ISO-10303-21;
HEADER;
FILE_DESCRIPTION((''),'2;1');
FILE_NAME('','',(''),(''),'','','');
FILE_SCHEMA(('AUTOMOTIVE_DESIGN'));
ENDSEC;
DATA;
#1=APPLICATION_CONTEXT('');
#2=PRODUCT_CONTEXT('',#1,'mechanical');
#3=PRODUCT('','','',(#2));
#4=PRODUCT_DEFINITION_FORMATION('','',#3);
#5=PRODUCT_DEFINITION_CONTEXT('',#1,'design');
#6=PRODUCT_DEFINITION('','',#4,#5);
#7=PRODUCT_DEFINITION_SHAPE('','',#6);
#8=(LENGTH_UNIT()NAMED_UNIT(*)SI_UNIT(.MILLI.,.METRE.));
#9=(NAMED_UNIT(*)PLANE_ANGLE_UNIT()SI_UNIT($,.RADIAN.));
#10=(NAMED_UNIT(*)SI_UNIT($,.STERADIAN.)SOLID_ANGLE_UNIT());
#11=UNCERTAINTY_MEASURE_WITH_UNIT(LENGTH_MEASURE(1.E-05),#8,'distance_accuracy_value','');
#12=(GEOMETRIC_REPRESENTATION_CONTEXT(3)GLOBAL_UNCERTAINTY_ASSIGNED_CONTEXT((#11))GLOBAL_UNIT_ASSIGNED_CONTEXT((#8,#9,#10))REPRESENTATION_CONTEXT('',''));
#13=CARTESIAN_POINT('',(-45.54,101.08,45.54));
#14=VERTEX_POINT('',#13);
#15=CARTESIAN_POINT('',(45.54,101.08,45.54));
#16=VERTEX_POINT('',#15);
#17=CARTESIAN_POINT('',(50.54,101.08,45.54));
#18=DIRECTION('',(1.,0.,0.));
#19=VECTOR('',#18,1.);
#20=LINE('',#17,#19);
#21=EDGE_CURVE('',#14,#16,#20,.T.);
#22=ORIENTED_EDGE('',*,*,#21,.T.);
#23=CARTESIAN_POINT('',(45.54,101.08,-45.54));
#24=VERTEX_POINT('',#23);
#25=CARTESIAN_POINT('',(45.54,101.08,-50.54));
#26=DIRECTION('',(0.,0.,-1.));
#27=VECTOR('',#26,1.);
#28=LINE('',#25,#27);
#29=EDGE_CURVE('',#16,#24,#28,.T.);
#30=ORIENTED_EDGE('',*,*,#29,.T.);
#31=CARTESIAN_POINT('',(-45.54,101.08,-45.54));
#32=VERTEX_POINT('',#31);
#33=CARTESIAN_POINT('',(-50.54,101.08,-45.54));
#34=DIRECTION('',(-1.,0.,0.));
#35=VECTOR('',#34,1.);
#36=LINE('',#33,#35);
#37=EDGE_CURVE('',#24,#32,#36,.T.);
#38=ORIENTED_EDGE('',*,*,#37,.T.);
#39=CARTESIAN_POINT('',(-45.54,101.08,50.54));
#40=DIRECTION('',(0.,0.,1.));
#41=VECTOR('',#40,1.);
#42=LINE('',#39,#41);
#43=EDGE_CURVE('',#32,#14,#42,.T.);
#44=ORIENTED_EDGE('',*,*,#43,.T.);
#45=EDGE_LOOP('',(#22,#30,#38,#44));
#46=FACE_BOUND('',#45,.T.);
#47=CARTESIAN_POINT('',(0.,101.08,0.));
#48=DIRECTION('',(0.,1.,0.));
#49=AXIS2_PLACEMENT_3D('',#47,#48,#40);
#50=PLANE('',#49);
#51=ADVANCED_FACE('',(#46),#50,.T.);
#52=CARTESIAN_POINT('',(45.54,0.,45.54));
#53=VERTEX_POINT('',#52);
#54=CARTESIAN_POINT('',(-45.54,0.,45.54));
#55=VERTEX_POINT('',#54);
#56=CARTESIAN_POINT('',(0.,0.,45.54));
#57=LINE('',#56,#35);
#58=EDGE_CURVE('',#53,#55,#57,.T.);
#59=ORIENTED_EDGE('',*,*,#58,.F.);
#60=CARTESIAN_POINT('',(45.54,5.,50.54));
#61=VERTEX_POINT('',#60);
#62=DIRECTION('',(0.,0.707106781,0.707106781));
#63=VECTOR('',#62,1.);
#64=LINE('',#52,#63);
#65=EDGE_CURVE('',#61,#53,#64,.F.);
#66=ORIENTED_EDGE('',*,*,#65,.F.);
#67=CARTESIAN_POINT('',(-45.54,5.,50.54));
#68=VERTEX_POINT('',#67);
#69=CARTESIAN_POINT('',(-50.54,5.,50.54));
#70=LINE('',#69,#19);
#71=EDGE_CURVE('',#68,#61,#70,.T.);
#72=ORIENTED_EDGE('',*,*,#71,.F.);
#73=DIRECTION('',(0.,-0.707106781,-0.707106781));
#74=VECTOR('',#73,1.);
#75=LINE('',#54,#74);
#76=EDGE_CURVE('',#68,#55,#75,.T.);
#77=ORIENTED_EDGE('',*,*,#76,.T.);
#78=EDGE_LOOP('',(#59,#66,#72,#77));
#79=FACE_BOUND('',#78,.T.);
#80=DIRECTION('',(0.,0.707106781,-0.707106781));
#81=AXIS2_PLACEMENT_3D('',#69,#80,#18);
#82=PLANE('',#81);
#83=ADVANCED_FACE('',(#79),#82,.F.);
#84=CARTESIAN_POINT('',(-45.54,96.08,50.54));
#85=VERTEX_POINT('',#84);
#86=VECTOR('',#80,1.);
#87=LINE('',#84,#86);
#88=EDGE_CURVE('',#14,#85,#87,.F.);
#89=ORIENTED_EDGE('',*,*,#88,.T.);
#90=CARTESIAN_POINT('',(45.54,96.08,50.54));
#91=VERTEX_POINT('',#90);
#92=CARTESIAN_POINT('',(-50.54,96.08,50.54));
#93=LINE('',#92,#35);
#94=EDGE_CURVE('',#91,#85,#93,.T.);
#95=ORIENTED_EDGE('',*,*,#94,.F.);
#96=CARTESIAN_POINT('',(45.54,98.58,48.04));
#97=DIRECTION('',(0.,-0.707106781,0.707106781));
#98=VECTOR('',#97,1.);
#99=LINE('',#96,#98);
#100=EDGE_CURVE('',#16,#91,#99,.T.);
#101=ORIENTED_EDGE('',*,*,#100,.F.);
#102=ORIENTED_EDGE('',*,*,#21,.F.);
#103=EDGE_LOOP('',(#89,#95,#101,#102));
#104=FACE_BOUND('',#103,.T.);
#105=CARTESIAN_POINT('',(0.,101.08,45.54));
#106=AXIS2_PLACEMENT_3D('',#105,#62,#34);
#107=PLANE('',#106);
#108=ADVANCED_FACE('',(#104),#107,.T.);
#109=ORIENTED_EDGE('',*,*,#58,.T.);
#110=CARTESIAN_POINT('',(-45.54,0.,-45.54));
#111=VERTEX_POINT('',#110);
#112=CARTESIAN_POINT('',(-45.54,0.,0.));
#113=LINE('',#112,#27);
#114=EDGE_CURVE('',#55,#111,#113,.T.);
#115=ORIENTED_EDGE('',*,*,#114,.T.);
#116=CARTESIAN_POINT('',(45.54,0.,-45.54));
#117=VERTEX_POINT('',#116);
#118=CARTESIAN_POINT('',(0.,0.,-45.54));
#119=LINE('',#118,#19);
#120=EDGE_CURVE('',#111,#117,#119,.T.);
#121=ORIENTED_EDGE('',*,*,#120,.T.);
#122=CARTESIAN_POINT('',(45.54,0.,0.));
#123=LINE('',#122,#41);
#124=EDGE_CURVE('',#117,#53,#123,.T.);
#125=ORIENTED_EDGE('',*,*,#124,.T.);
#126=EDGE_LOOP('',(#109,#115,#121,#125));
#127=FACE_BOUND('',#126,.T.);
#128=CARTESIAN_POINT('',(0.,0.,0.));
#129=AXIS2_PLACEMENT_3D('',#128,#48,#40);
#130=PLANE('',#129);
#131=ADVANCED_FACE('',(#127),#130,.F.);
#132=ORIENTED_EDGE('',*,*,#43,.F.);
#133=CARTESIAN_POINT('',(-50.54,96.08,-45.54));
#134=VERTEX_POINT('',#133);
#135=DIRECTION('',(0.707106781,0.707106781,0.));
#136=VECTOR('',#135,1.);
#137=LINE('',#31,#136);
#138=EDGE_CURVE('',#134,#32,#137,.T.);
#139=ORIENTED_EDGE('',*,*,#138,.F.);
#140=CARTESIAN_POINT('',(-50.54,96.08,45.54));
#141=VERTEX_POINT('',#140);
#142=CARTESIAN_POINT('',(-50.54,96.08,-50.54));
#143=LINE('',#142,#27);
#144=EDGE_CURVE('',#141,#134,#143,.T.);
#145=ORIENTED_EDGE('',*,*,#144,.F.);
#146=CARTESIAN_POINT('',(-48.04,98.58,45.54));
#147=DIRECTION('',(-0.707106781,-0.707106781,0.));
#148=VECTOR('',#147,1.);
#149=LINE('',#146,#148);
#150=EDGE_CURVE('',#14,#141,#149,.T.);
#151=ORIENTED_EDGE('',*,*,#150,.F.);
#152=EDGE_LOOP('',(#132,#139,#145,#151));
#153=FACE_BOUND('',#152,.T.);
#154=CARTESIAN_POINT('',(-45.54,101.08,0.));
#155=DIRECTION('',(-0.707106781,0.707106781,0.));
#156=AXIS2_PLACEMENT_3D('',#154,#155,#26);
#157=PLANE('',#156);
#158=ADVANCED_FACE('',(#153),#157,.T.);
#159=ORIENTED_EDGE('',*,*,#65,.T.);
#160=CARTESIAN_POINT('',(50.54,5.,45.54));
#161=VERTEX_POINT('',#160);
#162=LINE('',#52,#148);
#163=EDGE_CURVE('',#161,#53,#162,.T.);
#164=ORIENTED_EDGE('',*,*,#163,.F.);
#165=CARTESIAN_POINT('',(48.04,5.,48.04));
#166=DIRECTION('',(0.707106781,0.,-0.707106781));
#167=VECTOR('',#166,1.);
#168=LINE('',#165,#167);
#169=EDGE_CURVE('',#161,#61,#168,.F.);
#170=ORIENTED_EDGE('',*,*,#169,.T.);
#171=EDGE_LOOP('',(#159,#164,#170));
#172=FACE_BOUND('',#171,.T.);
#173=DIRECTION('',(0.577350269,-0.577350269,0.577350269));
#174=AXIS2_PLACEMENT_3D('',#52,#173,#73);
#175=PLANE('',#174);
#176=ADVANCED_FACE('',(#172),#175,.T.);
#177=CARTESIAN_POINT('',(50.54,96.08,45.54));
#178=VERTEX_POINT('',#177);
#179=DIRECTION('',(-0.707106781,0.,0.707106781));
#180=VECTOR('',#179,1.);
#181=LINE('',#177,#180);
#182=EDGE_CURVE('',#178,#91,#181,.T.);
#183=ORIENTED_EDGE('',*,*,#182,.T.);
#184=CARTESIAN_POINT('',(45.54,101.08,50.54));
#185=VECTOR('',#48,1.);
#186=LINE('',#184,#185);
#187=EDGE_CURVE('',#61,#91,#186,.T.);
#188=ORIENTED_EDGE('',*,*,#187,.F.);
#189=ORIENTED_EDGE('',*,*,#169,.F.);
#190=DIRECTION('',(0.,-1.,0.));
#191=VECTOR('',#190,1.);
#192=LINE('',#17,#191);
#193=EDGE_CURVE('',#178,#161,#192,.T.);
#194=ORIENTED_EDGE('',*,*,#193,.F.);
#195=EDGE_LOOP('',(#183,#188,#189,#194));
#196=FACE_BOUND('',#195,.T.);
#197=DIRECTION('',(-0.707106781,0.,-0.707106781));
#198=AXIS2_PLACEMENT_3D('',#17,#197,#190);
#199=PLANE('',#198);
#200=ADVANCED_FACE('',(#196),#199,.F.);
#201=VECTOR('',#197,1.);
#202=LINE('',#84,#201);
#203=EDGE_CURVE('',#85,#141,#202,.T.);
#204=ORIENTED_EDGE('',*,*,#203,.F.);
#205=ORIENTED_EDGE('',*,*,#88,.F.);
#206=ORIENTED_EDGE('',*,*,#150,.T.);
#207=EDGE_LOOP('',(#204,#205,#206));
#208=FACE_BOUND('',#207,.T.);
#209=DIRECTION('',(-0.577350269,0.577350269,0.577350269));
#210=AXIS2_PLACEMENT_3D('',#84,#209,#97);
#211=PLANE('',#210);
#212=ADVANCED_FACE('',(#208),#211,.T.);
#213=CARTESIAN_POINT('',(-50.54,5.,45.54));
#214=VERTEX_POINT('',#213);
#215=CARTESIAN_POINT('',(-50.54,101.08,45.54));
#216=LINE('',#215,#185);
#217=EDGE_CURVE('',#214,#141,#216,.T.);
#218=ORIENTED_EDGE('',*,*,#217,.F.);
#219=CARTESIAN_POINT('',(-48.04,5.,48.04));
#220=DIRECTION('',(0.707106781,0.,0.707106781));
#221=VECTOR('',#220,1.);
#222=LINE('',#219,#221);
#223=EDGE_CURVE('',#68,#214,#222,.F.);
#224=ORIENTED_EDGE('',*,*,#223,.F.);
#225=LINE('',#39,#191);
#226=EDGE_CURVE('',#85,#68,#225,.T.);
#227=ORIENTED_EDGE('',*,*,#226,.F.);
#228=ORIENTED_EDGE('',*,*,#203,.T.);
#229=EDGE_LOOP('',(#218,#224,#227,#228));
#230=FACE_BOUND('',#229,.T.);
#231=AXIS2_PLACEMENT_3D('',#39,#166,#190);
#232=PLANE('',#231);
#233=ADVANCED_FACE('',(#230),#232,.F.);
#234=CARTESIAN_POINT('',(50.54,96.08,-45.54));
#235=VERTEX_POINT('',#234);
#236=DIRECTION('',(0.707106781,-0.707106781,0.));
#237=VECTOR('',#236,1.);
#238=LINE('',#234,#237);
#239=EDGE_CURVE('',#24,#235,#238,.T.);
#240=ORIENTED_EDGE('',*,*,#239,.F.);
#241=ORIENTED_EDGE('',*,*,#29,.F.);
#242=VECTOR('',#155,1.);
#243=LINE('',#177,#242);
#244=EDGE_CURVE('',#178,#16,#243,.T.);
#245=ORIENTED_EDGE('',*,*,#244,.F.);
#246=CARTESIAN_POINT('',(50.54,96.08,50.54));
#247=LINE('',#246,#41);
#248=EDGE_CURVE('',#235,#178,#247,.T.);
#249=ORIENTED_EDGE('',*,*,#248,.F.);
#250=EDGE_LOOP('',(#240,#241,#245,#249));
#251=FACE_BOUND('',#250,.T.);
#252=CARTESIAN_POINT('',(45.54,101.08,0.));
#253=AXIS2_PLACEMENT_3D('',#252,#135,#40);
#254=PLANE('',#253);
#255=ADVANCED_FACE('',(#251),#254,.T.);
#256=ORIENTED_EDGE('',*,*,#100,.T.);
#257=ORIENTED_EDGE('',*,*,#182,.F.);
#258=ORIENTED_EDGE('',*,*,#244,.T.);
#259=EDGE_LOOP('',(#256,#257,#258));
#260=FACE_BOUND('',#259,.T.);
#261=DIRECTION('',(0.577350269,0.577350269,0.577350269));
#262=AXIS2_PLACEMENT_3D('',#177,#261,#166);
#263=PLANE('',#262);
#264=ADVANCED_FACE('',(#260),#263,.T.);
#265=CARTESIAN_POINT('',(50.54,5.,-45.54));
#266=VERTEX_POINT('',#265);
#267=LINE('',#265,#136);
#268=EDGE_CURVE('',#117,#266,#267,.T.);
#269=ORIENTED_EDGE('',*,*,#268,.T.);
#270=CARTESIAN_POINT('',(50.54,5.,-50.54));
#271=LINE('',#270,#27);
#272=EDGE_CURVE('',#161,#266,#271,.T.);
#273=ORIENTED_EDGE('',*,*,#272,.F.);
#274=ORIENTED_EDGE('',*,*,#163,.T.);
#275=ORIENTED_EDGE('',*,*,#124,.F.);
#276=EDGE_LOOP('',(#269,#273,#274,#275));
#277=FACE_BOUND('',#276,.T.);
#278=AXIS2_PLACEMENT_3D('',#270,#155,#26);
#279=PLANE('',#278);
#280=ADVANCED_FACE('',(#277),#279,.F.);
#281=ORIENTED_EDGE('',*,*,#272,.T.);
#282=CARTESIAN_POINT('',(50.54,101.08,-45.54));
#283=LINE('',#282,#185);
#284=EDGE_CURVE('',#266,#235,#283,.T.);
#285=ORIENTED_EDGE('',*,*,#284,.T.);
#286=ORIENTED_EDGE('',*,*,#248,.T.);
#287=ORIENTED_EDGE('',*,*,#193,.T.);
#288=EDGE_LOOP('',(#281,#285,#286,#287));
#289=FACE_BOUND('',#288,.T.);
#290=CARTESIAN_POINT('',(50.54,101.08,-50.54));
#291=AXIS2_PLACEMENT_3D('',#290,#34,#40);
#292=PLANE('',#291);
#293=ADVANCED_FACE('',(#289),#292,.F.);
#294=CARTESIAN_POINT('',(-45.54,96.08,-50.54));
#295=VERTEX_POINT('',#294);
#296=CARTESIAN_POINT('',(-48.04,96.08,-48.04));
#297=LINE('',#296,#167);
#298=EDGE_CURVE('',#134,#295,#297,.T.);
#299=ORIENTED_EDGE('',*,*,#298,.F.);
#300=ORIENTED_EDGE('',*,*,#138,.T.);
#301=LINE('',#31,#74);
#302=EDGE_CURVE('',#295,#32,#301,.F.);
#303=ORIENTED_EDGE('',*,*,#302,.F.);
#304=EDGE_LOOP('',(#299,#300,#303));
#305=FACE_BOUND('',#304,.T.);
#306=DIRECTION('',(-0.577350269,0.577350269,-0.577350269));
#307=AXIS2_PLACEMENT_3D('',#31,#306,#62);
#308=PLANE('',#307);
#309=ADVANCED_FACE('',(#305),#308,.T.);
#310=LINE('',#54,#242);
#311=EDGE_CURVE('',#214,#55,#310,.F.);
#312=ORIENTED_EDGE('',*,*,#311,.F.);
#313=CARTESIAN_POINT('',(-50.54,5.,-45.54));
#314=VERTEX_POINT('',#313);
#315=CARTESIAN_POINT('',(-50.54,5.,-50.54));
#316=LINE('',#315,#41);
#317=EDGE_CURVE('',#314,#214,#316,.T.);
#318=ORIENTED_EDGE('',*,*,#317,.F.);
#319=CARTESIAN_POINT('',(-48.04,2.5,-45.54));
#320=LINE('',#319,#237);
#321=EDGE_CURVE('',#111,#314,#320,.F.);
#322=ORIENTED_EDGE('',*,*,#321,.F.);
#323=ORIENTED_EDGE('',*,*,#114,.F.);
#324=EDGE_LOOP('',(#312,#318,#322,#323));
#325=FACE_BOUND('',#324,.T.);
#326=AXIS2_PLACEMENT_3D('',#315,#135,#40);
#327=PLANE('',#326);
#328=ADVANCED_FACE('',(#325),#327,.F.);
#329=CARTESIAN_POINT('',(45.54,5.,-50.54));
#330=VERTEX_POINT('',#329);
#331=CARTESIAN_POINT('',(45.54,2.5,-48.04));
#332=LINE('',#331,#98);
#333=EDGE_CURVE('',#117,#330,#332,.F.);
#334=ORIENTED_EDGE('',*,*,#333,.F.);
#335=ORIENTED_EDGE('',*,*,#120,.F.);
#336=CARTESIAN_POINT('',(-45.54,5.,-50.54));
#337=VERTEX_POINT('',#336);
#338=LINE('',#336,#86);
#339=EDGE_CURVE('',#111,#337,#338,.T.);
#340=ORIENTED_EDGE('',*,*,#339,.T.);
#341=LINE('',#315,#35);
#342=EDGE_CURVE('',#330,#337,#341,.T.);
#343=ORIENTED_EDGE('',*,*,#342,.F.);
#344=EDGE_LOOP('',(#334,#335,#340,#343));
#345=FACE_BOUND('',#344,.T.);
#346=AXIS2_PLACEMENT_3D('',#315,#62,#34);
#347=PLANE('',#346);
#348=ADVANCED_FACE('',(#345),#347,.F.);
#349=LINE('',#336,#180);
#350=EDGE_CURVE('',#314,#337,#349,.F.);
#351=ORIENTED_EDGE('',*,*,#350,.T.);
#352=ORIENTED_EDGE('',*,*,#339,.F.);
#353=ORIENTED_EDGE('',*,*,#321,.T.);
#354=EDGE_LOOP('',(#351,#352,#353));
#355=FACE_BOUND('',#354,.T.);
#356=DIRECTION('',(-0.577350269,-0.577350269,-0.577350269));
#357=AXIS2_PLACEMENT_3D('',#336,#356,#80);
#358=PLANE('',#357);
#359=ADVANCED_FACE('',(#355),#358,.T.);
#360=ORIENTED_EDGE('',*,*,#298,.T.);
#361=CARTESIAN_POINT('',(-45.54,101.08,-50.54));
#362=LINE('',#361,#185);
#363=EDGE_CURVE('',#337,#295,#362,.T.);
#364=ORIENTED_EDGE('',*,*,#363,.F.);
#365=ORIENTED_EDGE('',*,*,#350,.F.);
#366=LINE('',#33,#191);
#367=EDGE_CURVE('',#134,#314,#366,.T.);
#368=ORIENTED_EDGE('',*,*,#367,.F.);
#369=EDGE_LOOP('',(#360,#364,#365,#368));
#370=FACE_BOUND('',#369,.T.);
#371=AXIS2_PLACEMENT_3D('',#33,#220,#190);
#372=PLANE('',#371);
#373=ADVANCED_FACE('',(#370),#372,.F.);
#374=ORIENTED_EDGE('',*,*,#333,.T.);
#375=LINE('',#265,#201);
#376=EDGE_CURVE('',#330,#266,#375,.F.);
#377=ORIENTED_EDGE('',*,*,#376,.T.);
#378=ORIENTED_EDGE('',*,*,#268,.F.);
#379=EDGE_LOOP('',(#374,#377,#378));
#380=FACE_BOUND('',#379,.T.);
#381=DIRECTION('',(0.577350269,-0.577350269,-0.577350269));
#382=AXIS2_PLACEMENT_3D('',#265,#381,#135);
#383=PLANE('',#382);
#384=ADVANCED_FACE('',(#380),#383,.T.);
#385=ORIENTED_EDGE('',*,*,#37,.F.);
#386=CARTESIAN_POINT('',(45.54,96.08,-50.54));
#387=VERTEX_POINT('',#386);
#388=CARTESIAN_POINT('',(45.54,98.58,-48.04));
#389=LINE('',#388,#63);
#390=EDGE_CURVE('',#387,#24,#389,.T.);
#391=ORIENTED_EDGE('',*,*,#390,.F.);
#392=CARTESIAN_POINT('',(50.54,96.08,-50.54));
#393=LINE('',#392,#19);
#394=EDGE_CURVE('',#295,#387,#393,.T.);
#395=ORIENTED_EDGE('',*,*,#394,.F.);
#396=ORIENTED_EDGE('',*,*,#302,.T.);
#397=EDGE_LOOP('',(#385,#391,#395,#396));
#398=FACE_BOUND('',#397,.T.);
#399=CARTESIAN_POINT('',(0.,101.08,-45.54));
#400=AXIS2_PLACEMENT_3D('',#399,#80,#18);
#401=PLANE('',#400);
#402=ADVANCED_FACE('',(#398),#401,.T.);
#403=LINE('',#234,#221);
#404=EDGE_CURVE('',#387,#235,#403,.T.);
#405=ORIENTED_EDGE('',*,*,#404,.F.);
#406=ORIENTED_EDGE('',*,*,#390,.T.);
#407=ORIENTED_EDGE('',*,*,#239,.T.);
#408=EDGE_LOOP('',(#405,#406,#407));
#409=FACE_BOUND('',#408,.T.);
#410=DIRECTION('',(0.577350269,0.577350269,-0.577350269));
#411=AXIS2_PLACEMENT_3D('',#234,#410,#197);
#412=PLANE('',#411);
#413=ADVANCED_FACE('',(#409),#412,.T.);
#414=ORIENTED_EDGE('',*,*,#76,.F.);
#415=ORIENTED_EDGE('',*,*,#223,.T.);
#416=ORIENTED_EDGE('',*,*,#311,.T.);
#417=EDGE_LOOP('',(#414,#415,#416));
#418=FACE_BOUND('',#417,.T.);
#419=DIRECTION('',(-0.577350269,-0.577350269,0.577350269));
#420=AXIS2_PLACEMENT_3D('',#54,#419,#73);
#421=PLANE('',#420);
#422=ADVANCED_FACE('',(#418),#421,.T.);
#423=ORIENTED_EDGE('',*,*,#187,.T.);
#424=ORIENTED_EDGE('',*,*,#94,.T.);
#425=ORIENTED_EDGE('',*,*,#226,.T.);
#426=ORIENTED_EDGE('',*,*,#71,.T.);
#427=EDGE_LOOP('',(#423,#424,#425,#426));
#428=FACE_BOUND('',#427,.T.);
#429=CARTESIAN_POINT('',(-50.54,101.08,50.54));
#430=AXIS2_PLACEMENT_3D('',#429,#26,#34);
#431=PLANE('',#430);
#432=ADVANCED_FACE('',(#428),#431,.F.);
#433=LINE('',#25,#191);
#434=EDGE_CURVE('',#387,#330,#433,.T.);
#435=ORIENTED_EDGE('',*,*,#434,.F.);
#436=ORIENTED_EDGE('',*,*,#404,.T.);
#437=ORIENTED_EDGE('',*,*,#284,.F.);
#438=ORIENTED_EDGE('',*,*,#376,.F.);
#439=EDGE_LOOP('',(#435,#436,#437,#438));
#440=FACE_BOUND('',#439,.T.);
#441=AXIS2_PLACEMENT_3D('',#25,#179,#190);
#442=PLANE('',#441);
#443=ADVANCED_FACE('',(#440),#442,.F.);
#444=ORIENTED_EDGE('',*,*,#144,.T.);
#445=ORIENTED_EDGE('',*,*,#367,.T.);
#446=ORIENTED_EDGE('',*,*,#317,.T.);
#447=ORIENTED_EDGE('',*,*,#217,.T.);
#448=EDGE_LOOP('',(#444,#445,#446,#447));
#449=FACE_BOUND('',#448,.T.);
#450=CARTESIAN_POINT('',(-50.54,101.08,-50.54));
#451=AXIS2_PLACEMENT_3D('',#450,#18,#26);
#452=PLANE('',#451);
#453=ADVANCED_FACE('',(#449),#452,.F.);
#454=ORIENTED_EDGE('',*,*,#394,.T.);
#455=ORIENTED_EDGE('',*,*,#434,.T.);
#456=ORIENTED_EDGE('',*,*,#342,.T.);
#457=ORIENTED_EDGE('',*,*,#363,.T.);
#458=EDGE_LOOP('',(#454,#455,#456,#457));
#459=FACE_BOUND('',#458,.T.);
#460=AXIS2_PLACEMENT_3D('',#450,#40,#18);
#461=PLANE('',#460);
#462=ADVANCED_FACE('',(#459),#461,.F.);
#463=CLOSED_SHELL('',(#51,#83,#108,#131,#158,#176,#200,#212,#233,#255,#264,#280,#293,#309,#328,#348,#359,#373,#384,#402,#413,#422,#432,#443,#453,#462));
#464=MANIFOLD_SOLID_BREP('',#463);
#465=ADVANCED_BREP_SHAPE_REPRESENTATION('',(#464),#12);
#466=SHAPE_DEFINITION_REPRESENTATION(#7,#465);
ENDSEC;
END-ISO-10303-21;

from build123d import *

# Parameters (mm, degrees)
SKETCH_1_W      = 101.08
SKETCH_1_H      = 101.08
EXTRUDE_1_DEPTH = 101.08
CHAMFER_1_SIZE  = 5


with BuildPart() as part:
    # 草图1 → 凸台-拉伸1 (new body)
    with BuildSketch(Plane(origin=(0, 0, 0), x_dir=(1, 0, 0), z_dir=(0, 1, 0))):
        Rectangle(SKETCH_1_W, SKETCH_1_H)
    extrude(amount=EXTRUDE_1_DEPTH)

    # 倒角1
    chamfer_1_edges = [part.edges().sort_by_distance(p)[0] for p in [
        (-50.54, 101.08, 0),
        (0, 101.08, 50.54),
        (50.54, 101.08, 0),
        (0, 0, 50.54),
        (-50.54, 0, 0),
        (0, 0, -50.54),
        (50.54, 0, 0),
        (0, 101.08, -50.54),
        (50.54, 50.54, 50.54),
        (-50.54, 50.54, 50.54),
        (-50.54, 50.54, -50.54),
        (50.54, 50.54, -50.54),
    ]]
    chamfer(chamfer_1_edges, length=CHAMFER_1_SIZE)


solid = part.part
